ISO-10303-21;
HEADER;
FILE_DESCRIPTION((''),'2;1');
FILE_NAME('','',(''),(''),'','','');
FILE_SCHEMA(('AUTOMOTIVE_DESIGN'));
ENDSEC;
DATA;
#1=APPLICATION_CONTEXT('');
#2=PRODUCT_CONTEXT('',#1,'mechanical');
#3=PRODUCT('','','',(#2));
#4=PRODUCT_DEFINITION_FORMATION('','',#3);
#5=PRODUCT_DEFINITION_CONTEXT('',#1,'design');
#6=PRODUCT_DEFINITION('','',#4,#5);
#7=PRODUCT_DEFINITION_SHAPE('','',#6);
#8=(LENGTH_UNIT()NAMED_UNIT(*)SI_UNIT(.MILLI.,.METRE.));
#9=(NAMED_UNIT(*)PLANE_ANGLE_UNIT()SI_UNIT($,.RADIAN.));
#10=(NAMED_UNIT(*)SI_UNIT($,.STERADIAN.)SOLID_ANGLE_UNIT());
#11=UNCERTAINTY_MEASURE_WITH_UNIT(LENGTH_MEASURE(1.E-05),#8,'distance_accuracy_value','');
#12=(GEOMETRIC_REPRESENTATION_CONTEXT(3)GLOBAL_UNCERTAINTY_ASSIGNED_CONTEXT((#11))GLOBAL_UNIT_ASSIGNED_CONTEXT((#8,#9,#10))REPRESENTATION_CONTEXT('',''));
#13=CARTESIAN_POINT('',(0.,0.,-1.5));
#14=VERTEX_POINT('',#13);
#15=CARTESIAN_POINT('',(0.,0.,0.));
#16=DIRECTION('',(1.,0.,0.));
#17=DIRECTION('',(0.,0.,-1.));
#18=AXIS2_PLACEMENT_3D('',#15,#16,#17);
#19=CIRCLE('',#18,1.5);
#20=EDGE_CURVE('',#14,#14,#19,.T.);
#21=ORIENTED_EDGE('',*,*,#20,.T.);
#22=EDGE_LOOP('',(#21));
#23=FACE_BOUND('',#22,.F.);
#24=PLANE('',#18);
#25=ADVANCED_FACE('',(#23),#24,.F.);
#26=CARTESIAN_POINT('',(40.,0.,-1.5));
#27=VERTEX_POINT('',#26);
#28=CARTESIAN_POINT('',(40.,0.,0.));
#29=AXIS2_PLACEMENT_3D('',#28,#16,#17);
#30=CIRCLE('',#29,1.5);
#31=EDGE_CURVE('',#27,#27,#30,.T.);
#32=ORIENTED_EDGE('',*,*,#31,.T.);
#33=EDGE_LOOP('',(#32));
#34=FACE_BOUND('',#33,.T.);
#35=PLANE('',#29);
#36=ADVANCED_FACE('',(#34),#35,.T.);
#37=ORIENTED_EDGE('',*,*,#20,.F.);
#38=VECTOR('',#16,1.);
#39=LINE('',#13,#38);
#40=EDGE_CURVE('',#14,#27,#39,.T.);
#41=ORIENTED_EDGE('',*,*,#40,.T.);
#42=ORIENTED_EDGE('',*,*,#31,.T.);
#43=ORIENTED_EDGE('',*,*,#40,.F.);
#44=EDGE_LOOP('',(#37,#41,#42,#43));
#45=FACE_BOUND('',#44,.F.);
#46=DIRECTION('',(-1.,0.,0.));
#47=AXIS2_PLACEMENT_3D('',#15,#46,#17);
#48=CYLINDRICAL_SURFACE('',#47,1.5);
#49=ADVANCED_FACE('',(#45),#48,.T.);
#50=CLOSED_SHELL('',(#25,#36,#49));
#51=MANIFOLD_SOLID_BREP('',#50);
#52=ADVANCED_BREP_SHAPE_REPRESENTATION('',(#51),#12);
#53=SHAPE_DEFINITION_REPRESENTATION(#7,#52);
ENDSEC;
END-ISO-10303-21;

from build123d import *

# Parameters (mm, degrees)
SKETCH1_R           = 1.5
BOSS_EXTRUDE1_DEPTH = 40


with BuildPart() as part:
    # Sketch1 → Boss-Extrude1 (new body)
    with BuildSketch(Plane(origin=(0, 0, 0), x_dir=(0, 0, -1), z_dir=(1, 0, 0))):
        Circle(SKETCH1_R)
    extrude(amount=BOSS_EXTRUDE1_DEPTH)


solid = part.part
